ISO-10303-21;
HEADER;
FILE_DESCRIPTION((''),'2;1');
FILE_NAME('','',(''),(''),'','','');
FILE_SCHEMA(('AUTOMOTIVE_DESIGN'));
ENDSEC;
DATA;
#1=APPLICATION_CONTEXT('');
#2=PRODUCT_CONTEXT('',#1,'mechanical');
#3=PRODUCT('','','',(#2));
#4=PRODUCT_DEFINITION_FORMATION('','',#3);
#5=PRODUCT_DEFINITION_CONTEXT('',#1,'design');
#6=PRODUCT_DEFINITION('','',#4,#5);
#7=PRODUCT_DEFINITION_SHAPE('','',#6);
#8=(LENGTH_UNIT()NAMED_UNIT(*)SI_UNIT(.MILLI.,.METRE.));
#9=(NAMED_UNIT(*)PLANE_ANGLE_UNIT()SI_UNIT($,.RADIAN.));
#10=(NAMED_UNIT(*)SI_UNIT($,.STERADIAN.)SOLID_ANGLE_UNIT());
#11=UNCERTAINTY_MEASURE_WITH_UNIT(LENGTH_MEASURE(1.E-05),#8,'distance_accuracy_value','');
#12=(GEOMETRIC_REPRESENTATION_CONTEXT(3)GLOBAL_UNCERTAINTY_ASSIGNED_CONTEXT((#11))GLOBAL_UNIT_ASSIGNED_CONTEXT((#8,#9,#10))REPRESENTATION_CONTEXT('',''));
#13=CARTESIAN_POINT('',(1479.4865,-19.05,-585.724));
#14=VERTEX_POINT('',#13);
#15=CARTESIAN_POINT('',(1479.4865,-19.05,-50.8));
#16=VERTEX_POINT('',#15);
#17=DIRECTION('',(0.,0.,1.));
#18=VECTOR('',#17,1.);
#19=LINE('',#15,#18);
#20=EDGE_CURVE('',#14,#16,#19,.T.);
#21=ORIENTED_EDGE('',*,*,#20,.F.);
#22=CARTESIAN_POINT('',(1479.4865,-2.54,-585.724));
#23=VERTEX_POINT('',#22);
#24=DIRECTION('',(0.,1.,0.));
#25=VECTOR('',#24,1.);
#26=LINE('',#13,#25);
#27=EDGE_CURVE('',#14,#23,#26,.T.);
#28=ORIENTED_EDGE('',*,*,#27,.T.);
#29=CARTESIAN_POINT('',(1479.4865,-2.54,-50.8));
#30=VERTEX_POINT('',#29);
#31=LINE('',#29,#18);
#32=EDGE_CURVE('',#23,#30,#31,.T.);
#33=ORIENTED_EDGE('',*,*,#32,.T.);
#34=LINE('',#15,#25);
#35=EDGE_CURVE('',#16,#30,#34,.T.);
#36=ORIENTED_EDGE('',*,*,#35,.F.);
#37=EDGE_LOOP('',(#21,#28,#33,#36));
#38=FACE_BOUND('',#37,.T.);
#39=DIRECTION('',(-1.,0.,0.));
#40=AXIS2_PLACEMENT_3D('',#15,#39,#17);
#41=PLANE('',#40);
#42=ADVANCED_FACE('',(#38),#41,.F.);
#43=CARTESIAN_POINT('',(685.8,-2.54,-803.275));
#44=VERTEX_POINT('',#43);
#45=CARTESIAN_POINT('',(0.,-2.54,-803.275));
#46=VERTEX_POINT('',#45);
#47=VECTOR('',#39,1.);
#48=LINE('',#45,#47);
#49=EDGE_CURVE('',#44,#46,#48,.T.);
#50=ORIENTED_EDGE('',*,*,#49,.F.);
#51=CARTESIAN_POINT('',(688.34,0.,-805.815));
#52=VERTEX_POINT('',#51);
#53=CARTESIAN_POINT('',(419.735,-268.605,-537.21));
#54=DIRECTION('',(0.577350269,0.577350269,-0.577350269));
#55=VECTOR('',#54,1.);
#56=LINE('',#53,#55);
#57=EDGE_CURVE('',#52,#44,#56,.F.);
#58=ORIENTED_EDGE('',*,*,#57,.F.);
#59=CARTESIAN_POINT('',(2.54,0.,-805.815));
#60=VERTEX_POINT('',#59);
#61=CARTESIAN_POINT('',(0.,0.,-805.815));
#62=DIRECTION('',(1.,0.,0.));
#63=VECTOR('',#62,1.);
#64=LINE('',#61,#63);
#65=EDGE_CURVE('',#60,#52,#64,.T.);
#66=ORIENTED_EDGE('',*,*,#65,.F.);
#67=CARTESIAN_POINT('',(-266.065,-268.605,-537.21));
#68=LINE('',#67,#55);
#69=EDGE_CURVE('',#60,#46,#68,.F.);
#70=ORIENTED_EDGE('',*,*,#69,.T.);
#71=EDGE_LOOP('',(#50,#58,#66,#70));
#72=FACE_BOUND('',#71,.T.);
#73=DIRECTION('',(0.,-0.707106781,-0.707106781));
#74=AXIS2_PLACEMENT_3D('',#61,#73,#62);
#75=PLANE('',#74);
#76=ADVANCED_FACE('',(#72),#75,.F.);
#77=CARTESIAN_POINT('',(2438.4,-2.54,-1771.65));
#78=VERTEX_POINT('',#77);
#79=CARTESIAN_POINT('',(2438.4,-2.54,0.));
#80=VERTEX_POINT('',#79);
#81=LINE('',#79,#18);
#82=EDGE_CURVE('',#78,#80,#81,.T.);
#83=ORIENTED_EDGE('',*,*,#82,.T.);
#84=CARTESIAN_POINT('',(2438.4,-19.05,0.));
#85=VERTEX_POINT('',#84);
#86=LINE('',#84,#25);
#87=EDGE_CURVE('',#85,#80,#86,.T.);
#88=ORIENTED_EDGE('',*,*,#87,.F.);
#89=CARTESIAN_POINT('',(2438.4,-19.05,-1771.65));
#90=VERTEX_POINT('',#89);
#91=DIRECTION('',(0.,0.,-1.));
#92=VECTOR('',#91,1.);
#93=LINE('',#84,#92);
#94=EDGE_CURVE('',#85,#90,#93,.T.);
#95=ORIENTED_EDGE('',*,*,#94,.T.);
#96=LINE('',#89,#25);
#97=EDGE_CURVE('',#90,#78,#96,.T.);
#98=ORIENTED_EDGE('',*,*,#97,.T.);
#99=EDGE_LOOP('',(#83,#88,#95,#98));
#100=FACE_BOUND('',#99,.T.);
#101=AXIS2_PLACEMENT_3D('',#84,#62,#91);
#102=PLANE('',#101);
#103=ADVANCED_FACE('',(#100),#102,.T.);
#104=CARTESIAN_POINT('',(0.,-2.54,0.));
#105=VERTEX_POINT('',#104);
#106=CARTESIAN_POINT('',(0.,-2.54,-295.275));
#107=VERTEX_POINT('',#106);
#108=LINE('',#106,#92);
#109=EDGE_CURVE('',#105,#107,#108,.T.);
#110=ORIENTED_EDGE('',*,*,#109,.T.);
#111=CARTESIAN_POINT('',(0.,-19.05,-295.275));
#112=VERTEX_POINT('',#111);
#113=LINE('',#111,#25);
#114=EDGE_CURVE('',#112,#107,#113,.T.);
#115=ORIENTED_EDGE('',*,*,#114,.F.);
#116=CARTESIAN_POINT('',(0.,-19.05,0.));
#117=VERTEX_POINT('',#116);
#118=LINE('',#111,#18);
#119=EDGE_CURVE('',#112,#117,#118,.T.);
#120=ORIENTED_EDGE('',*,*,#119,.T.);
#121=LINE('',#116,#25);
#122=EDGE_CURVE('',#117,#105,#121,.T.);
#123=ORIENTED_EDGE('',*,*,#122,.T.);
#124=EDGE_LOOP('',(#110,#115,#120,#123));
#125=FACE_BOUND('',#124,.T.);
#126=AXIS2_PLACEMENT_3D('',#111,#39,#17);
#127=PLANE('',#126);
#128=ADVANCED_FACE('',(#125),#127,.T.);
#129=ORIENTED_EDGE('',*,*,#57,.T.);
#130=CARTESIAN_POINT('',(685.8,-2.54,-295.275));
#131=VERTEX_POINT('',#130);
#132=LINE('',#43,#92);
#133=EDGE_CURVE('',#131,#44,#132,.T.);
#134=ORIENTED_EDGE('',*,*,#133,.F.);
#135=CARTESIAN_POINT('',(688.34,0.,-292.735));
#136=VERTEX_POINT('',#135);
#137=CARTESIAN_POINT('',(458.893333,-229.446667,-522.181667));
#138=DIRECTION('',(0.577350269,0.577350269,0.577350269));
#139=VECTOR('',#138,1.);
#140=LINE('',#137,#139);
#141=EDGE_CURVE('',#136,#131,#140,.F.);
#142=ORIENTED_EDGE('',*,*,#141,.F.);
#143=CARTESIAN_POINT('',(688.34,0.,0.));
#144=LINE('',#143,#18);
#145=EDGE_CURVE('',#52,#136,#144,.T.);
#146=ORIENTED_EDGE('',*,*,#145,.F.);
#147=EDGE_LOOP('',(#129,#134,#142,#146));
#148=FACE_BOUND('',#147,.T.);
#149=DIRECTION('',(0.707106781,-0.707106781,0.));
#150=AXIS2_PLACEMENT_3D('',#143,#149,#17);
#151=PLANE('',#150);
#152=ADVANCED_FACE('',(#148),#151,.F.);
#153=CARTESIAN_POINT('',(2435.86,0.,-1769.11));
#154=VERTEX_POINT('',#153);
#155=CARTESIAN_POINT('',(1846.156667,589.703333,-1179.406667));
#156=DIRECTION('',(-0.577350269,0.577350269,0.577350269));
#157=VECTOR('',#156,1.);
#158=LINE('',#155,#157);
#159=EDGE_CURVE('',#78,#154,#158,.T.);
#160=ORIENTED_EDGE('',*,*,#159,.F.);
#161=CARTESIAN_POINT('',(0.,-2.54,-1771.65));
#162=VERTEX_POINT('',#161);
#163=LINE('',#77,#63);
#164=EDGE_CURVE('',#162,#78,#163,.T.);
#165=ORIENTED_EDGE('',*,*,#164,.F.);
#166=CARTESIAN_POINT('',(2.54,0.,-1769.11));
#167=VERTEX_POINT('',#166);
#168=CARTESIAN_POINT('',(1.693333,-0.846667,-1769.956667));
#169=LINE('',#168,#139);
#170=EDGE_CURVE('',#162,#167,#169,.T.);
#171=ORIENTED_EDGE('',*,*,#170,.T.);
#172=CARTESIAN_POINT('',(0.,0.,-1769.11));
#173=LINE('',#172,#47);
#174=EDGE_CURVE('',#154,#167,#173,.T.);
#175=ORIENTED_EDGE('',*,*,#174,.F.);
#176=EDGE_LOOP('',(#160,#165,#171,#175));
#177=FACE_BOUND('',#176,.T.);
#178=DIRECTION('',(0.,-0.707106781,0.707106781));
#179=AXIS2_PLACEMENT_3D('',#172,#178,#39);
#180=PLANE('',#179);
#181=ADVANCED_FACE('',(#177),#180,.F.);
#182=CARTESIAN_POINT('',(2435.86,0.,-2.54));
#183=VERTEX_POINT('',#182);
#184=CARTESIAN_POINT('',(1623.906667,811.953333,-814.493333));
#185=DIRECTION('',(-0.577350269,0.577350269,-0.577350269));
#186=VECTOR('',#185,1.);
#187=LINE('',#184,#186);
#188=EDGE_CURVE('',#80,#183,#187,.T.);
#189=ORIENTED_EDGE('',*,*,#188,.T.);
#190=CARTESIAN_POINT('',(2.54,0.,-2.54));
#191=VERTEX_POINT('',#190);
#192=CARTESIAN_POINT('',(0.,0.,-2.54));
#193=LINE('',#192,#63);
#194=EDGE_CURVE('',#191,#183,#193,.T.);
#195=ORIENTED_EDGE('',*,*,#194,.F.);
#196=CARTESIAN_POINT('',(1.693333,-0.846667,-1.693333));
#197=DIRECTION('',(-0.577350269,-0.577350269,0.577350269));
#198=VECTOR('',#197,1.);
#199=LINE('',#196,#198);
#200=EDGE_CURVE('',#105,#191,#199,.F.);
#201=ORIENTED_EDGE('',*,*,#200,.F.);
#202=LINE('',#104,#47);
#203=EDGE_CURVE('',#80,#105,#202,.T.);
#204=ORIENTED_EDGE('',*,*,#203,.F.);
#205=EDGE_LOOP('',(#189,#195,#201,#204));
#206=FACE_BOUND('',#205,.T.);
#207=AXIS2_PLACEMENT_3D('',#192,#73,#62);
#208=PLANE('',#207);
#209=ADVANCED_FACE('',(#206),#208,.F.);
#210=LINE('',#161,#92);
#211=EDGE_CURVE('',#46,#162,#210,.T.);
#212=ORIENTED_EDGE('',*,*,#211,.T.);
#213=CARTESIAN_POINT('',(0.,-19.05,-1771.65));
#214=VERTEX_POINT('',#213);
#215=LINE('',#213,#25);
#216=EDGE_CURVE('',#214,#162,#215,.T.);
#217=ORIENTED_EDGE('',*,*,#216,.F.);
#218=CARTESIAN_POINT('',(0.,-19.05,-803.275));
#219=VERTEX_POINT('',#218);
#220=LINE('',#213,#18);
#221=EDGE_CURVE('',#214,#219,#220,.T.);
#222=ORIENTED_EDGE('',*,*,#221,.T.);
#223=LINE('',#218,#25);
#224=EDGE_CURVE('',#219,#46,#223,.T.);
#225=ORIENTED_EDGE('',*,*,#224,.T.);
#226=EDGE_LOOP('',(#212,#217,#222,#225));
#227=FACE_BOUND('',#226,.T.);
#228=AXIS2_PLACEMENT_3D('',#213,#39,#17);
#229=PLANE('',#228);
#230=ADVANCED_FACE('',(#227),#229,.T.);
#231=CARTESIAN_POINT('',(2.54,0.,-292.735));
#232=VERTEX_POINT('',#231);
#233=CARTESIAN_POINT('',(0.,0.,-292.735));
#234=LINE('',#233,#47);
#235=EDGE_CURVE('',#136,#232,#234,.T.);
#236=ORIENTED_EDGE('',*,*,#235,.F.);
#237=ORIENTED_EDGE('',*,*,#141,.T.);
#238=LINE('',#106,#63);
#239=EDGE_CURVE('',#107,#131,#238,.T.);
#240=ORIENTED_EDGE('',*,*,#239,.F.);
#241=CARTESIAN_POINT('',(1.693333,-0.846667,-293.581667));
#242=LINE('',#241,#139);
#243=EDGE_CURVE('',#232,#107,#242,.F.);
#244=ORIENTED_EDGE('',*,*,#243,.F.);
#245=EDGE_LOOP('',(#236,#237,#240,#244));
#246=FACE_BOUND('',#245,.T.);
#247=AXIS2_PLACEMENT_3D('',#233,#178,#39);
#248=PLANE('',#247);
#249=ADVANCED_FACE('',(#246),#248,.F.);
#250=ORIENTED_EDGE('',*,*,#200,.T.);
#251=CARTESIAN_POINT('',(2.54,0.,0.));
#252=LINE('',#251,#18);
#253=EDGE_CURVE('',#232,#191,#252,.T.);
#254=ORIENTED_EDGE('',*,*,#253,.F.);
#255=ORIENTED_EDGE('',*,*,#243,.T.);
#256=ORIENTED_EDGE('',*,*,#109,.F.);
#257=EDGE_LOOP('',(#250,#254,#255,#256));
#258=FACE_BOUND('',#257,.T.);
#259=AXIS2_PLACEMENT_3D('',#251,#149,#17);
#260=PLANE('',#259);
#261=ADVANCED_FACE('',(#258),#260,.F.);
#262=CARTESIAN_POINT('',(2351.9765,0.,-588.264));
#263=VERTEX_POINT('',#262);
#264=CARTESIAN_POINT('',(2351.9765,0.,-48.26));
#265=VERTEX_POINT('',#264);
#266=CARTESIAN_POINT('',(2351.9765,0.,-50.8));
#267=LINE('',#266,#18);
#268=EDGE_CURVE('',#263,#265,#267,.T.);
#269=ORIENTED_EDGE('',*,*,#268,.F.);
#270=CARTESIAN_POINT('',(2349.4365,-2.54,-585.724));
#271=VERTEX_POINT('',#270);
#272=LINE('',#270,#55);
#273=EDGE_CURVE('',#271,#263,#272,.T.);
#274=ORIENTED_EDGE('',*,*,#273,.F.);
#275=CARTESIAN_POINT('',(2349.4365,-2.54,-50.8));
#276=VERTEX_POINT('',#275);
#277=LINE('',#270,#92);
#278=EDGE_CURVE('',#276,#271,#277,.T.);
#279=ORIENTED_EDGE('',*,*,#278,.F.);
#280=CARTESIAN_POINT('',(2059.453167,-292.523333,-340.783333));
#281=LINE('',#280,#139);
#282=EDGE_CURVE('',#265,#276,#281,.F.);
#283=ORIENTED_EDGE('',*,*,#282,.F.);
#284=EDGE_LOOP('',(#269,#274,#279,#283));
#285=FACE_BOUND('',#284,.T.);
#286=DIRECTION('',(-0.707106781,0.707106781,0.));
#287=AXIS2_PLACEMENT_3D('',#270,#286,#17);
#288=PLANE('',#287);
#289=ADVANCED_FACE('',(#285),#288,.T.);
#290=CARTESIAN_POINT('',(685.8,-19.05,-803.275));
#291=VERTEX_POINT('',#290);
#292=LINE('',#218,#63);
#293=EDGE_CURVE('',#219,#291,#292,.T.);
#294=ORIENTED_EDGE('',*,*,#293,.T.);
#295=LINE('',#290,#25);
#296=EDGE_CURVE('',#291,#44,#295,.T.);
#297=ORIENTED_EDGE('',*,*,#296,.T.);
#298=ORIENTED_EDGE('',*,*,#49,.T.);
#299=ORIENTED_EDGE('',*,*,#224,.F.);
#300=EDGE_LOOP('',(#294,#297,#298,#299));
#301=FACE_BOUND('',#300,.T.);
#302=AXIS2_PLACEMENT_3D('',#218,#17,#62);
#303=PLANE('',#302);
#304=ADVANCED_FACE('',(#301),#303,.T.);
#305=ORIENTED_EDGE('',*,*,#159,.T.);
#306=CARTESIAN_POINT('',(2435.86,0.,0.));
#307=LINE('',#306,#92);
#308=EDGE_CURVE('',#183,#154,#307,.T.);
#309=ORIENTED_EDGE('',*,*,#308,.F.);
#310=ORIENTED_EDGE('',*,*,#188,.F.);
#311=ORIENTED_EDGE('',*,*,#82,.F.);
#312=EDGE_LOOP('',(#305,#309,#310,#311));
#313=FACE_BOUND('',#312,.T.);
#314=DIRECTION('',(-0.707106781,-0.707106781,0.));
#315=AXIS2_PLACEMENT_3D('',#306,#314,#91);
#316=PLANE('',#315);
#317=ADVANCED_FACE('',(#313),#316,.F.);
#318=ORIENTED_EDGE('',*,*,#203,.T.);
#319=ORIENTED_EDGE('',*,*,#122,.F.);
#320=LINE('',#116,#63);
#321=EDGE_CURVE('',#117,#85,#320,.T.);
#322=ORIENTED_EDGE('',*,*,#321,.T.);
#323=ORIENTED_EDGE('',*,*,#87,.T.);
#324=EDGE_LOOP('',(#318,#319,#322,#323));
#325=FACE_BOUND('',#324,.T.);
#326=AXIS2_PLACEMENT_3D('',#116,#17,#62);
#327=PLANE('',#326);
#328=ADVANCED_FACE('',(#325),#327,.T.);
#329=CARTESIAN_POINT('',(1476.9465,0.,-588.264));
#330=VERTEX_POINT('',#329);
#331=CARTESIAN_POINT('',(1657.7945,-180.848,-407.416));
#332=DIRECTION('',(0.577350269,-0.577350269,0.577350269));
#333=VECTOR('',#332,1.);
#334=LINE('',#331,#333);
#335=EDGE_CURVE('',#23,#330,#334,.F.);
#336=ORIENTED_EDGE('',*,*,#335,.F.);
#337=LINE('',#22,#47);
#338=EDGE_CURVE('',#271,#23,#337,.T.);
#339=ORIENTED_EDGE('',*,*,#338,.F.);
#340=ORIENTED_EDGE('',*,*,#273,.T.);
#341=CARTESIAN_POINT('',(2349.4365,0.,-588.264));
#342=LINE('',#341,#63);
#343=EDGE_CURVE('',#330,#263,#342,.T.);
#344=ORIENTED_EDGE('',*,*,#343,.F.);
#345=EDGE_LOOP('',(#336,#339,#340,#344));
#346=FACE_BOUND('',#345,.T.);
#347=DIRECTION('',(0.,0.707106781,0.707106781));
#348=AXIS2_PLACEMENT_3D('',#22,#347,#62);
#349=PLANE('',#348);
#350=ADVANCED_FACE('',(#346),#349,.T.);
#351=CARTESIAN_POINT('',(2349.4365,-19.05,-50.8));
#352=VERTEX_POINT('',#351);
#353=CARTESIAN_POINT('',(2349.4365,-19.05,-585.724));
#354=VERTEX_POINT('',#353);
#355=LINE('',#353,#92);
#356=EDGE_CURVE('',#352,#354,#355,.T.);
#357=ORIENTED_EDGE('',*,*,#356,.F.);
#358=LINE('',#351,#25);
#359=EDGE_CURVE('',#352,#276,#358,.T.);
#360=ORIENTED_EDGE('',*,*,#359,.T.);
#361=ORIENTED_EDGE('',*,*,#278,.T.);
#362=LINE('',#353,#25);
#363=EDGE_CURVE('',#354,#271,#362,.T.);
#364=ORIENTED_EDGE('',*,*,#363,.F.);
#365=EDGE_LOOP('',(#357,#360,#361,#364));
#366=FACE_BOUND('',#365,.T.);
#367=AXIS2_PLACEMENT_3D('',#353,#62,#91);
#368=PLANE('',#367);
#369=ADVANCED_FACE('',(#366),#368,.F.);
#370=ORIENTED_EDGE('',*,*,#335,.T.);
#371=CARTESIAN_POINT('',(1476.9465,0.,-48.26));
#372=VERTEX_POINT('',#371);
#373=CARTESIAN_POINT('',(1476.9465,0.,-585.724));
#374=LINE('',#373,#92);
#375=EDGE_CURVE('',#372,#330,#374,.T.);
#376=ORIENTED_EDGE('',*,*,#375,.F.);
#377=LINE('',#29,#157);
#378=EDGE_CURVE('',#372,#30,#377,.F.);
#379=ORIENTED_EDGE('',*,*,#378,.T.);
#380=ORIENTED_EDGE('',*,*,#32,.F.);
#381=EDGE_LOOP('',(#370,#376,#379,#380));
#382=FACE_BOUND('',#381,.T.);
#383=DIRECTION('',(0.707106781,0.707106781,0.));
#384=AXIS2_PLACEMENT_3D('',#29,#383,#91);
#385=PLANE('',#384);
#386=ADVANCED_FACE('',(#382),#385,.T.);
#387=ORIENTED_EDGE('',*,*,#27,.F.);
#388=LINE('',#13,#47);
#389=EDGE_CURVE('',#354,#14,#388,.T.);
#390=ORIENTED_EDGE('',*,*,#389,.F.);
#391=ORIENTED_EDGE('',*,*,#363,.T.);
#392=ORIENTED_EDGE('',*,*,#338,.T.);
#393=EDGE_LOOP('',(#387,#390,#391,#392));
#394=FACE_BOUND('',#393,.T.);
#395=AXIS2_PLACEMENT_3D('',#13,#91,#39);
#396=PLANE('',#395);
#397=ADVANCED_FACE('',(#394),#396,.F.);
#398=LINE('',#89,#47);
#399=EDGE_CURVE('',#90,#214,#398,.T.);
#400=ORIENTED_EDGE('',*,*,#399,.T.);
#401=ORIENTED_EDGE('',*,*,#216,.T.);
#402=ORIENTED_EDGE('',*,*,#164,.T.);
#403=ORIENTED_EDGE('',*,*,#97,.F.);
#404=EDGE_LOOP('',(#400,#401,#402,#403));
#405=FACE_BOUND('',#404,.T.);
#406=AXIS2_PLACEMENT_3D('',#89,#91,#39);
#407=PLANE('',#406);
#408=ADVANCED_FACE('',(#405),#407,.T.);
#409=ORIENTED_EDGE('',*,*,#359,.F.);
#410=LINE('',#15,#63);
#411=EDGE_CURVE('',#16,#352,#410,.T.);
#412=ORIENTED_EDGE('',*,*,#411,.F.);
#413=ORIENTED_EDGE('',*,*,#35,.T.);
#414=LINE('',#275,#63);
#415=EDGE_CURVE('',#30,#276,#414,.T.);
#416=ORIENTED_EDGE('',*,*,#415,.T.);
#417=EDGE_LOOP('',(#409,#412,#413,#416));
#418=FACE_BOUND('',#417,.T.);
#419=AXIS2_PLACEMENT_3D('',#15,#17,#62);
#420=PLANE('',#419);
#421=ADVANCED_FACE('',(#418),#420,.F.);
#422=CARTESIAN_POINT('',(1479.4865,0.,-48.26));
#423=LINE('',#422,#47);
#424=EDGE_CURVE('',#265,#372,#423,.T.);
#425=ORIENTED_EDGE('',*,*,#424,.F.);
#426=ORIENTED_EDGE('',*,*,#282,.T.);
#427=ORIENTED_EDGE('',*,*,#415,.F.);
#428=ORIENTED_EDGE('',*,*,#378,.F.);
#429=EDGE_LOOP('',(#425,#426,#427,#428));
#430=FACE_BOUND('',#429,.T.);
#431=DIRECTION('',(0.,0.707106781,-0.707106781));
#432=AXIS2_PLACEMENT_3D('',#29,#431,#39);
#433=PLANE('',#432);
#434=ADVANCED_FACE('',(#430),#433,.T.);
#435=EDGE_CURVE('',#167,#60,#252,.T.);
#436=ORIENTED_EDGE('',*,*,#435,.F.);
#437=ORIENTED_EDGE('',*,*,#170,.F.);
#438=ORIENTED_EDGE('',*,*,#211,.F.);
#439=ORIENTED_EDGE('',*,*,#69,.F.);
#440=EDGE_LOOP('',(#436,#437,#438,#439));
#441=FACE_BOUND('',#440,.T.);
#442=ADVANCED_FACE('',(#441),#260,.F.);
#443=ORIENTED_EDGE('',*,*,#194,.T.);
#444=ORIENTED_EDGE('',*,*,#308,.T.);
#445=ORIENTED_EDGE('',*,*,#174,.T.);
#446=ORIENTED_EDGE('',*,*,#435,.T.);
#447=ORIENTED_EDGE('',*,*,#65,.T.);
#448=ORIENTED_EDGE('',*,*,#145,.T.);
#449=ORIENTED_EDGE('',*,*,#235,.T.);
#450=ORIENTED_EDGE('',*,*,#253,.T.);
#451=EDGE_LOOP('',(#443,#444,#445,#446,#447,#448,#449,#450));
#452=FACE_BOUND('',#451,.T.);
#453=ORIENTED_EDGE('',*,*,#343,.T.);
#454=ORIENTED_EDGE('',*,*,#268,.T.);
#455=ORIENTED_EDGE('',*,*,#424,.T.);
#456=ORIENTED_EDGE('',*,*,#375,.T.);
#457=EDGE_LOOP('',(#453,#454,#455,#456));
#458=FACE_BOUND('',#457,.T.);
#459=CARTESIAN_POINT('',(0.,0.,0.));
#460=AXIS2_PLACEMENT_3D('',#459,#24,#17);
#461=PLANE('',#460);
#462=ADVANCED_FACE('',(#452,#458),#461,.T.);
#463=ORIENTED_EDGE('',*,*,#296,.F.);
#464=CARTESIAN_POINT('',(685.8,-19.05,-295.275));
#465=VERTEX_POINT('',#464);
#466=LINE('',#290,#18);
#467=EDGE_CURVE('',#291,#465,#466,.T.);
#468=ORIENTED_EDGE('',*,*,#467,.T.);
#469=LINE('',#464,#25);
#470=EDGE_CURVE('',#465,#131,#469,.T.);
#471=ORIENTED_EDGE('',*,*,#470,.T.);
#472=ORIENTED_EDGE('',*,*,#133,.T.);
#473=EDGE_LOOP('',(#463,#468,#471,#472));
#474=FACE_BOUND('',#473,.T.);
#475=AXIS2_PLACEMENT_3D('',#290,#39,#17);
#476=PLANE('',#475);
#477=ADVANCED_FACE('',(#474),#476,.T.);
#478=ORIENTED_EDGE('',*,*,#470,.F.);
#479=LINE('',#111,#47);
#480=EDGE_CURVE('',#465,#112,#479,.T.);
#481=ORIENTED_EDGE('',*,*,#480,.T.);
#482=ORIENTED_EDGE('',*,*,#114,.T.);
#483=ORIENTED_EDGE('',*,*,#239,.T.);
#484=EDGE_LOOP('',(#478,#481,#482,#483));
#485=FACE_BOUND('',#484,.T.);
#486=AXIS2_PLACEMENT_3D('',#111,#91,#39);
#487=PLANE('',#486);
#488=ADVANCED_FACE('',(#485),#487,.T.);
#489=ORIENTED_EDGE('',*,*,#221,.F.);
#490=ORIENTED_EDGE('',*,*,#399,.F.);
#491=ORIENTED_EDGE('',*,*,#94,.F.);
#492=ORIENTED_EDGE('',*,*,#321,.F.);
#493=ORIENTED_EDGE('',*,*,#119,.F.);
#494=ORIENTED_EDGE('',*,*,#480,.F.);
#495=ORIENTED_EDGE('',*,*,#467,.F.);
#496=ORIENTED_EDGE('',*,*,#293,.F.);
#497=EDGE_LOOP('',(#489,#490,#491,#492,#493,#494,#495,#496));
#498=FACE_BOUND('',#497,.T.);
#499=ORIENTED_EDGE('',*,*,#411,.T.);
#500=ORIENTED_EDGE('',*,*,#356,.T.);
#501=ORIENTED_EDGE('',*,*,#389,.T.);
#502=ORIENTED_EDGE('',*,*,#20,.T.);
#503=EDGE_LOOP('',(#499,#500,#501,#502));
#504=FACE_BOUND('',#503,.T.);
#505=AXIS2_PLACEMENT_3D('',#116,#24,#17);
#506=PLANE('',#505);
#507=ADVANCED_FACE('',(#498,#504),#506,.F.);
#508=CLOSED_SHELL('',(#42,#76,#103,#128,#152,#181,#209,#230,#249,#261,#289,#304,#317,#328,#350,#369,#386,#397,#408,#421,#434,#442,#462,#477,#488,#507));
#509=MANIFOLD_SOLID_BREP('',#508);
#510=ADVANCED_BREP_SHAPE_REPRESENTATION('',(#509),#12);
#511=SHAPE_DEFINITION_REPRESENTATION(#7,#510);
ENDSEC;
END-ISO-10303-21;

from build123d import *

# Parameters (mm, degrees)
SKETCH1_W           = 869.95
SKETCH1_H           = 534.924
BOSS_EXTRUDE1_DEPTH = 19.05
CHAMFER1_SIZE       = 2.54


with BuildPart() as part:
    # Sketch1 → Boss-Extrude1 (new body)
    with BuildSketch(Plane(origin=(0, 0, 0), x_dir=(1, 0, 0), z_dir=(0, 1, 0))):
        Polygon((2438.4, 0), (2438.4, 1771.65), (0, 1771.65), (0, 803.275), (685.8, 803.275), (685.8, 295.275), (0, 295.275), (0, 0), align=None)
        with Locations((1914.4615, 318.262)):
            Rectangle(SKETCH1_W, SKETCH1_H, mode=Mode.SUBTRACT)
    extrude(amount=-BOSS_EXTRUDE1_DEPTH)

    # Chamfer1
    chamfer1_edges = [part.edges().sort_by_distance(p)[0] for p in [
        (0, 0, -1287.4625),
        (1219.2, 0, -1771.65),
        (2438.4, 0, -885.825),
        (1219.2, 0, 0),
        (1914.4615, 0, -585.724),
        (1479.4865, 0, -318.262),
        (1914.4615, 0, -50.8),
        (2349.4365, 0, -318.262),
        (0, 0, -147.6375),
        (342.9, 0, -295.275),
        (685.8, 0, -549.275),
        (342.9, 0, -803.275),
    ]]
    chamfer(chamfer1_edges, length=CHAMFER1_SIZE)


solid = part.part
